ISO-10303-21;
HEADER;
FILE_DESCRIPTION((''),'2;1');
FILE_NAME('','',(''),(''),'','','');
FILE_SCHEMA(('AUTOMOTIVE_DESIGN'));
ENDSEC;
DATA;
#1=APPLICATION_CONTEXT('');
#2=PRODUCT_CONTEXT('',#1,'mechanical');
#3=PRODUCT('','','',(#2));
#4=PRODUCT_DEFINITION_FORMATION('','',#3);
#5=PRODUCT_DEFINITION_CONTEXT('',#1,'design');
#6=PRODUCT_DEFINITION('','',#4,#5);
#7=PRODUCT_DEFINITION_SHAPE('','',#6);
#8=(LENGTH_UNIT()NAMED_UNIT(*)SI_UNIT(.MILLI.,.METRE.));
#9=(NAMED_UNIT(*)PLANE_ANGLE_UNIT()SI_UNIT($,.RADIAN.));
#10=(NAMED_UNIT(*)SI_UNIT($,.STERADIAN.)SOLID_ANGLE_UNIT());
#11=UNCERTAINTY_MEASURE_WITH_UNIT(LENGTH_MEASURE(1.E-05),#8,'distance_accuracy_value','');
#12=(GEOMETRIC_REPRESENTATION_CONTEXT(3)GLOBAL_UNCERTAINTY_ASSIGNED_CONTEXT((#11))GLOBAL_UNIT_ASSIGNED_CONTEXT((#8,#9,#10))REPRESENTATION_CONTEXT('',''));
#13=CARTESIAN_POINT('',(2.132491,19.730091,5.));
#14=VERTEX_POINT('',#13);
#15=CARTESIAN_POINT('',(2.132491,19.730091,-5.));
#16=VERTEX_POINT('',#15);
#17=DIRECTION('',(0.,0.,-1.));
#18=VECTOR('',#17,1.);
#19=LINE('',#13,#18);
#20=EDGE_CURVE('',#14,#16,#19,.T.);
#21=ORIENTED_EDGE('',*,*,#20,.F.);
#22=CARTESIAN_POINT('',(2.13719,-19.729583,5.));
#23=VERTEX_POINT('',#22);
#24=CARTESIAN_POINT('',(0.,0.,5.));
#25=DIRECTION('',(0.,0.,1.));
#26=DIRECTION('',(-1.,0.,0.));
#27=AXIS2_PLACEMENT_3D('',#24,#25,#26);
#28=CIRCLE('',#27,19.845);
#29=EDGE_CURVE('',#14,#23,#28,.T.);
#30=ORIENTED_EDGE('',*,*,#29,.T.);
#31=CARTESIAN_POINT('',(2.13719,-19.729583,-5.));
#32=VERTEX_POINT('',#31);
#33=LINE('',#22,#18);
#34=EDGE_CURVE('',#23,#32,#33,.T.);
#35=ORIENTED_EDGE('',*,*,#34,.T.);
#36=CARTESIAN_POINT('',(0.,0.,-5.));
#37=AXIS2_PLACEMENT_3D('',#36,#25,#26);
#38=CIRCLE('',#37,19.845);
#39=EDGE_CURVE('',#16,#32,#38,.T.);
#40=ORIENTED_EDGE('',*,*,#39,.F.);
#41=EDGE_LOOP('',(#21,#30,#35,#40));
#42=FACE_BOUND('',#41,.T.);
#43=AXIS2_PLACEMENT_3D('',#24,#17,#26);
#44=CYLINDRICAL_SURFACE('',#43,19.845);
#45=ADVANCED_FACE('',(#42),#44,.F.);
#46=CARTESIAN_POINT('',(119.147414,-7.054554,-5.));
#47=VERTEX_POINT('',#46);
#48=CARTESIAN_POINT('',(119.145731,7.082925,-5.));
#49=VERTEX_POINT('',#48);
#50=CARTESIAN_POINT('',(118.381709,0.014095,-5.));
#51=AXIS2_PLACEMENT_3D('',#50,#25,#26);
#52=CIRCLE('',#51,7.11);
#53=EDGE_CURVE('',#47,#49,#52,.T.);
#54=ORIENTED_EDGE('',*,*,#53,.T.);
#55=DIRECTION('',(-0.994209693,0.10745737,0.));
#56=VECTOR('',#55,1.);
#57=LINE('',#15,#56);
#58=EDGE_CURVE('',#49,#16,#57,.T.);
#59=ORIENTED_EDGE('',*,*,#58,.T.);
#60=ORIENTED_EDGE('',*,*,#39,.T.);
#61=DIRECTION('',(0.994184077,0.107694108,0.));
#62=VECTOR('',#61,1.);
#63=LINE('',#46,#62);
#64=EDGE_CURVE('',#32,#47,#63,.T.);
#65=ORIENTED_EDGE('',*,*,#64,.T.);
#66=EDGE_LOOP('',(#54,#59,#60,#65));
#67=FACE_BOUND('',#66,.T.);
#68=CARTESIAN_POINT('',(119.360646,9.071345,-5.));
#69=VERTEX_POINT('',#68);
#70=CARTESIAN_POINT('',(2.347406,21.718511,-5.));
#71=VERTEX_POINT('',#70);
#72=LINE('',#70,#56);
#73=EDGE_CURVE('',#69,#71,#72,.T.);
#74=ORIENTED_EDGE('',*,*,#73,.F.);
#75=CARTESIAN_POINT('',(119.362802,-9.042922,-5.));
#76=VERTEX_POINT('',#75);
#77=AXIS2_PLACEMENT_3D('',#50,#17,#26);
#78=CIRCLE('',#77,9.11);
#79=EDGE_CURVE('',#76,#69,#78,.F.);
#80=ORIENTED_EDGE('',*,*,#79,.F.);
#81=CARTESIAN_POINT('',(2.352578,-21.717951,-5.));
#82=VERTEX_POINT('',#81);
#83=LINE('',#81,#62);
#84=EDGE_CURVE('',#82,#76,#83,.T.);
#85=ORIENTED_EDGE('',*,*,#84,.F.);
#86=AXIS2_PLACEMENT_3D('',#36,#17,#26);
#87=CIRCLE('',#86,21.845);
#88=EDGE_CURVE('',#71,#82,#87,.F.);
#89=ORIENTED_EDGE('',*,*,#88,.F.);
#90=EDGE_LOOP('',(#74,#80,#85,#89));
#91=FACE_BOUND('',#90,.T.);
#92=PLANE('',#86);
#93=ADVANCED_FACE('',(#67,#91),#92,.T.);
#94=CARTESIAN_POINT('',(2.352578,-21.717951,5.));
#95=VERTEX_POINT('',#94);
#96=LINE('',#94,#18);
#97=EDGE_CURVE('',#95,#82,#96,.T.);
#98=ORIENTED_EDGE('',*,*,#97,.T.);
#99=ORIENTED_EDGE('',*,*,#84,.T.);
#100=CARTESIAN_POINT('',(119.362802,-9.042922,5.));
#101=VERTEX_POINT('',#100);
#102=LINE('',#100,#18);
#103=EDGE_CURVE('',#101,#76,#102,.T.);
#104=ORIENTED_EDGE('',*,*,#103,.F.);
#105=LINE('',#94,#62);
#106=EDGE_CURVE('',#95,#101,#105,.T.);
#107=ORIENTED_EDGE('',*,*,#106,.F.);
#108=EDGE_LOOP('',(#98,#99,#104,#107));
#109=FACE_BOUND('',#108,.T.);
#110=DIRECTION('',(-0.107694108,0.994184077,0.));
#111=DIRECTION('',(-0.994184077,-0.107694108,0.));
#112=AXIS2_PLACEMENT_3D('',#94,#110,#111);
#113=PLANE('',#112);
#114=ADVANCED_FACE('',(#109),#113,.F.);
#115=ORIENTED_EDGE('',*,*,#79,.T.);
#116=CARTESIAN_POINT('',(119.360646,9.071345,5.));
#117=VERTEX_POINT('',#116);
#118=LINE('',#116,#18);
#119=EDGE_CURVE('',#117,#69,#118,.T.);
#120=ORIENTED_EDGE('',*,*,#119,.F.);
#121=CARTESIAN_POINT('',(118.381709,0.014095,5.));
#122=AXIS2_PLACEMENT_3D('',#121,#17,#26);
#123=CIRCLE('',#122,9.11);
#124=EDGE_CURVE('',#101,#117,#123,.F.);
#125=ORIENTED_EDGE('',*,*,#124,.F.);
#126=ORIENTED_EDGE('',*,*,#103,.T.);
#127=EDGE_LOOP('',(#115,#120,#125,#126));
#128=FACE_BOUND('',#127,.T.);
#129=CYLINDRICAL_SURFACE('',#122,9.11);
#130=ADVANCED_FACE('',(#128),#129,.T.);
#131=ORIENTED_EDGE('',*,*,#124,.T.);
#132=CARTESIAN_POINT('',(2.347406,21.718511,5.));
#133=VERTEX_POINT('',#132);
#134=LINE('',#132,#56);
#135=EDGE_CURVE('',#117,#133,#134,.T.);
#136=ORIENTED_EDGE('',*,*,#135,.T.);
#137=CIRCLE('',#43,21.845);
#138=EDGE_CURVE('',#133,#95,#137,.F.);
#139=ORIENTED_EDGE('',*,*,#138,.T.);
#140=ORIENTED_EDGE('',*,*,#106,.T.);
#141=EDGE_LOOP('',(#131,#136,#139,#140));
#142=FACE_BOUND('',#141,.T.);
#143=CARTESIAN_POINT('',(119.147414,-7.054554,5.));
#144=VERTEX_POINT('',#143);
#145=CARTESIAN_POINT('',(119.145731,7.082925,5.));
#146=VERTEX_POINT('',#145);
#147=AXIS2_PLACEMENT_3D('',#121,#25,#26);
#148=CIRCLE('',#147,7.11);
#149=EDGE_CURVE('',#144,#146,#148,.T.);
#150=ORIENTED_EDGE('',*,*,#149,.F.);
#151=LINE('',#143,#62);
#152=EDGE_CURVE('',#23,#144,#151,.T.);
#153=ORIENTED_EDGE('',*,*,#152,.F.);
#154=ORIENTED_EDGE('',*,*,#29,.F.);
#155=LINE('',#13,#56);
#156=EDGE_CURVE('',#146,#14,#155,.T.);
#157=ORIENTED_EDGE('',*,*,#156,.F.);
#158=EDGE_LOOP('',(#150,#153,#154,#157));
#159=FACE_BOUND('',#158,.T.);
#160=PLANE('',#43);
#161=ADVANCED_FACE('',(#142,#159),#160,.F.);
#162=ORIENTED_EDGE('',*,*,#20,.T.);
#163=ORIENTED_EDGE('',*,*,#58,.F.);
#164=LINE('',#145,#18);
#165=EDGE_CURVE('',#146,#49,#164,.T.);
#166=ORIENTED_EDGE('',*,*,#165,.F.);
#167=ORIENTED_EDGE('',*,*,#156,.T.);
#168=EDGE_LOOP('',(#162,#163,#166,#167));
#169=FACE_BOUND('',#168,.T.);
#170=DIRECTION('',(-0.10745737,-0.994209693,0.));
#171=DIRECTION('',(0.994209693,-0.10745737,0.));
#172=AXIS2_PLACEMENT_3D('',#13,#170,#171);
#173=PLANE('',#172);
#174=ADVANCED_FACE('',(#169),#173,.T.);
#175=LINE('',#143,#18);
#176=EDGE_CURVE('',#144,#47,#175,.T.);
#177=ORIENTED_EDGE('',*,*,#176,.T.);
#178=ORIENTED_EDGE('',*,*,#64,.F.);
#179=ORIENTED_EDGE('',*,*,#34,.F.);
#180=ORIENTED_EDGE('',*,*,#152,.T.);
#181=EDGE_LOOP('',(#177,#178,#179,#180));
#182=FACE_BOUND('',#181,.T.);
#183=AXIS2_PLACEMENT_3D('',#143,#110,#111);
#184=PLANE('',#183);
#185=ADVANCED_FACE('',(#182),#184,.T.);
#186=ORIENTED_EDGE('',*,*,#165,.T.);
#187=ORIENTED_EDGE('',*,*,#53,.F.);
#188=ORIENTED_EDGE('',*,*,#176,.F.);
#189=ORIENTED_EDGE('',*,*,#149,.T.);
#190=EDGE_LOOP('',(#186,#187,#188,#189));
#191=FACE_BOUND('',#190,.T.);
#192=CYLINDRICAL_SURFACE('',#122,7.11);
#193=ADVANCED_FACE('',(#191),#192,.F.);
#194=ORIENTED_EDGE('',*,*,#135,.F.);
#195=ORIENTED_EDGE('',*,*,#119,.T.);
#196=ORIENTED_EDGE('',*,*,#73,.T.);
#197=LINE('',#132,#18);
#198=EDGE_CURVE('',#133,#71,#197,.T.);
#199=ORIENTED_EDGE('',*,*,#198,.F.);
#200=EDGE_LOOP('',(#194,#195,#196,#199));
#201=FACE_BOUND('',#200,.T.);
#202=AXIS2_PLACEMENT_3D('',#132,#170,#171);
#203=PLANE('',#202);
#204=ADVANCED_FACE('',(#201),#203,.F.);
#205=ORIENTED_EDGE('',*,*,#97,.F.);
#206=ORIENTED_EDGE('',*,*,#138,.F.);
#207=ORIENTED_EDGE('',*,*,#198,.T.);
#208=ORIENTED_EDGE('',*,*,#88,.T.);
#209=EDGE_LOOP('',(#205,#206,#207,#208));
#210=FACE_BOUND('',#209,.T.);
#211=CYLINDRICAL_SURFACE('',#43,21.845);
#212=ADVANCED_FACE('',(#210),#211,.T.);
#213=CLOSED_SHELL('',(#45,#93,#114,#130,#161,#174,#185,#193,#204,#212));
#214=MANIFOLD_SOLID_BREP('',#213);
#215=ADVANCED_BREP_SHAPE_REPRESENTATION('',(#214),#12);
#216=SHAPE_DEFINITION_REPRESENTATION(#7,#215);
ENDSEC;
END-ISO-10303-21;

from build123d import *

# Parameters (mm, degrees)
EXTRUDE_THIN1_DEPTH = 5


with BuildPart() as part:
    # Sketch2 → Extrude-Thin1 (new, symmetric)
    with BuildSketch(Plane.XY):
        with BuildLine():
            Line((119.362802251, -9.042922382), (2.352577797, -21.717951163))
            ThreePointArc((2.352577797, -21.717951163), (-21.844999845, -0.002600872), (2.347406239, 21.718510744))
            Line((2.347406239, 21.718510744), (119.360645561, 9.071344863))
            ThreePointArc((119.360645561, 9.071344863), (127.49170886, 0.015179199), (119.362802251, -9.042922382))
        make_face()
        with BuildLine():
            Line((119.147414035, -7.054554228), (2.13718958, -19.729583009))
            ThreePointArc((2.13718958, -19.729583009), (-19.84499986, -0.002362751), (2.1324915, 19.730091358))
            Line((2.1324915, 19.730091358), (119.145730822, 7.082925477))
            ThreePointArc((119.145730822, 7.082925477), (125.491708874, 0.014941078), (119.147414035, -7.054554228))
        make_face(mode=Mode.SUBTRACT)
    extrude(amount=EXTRUDE_THIN1_DEPTH, both=True)


solid = part.part
